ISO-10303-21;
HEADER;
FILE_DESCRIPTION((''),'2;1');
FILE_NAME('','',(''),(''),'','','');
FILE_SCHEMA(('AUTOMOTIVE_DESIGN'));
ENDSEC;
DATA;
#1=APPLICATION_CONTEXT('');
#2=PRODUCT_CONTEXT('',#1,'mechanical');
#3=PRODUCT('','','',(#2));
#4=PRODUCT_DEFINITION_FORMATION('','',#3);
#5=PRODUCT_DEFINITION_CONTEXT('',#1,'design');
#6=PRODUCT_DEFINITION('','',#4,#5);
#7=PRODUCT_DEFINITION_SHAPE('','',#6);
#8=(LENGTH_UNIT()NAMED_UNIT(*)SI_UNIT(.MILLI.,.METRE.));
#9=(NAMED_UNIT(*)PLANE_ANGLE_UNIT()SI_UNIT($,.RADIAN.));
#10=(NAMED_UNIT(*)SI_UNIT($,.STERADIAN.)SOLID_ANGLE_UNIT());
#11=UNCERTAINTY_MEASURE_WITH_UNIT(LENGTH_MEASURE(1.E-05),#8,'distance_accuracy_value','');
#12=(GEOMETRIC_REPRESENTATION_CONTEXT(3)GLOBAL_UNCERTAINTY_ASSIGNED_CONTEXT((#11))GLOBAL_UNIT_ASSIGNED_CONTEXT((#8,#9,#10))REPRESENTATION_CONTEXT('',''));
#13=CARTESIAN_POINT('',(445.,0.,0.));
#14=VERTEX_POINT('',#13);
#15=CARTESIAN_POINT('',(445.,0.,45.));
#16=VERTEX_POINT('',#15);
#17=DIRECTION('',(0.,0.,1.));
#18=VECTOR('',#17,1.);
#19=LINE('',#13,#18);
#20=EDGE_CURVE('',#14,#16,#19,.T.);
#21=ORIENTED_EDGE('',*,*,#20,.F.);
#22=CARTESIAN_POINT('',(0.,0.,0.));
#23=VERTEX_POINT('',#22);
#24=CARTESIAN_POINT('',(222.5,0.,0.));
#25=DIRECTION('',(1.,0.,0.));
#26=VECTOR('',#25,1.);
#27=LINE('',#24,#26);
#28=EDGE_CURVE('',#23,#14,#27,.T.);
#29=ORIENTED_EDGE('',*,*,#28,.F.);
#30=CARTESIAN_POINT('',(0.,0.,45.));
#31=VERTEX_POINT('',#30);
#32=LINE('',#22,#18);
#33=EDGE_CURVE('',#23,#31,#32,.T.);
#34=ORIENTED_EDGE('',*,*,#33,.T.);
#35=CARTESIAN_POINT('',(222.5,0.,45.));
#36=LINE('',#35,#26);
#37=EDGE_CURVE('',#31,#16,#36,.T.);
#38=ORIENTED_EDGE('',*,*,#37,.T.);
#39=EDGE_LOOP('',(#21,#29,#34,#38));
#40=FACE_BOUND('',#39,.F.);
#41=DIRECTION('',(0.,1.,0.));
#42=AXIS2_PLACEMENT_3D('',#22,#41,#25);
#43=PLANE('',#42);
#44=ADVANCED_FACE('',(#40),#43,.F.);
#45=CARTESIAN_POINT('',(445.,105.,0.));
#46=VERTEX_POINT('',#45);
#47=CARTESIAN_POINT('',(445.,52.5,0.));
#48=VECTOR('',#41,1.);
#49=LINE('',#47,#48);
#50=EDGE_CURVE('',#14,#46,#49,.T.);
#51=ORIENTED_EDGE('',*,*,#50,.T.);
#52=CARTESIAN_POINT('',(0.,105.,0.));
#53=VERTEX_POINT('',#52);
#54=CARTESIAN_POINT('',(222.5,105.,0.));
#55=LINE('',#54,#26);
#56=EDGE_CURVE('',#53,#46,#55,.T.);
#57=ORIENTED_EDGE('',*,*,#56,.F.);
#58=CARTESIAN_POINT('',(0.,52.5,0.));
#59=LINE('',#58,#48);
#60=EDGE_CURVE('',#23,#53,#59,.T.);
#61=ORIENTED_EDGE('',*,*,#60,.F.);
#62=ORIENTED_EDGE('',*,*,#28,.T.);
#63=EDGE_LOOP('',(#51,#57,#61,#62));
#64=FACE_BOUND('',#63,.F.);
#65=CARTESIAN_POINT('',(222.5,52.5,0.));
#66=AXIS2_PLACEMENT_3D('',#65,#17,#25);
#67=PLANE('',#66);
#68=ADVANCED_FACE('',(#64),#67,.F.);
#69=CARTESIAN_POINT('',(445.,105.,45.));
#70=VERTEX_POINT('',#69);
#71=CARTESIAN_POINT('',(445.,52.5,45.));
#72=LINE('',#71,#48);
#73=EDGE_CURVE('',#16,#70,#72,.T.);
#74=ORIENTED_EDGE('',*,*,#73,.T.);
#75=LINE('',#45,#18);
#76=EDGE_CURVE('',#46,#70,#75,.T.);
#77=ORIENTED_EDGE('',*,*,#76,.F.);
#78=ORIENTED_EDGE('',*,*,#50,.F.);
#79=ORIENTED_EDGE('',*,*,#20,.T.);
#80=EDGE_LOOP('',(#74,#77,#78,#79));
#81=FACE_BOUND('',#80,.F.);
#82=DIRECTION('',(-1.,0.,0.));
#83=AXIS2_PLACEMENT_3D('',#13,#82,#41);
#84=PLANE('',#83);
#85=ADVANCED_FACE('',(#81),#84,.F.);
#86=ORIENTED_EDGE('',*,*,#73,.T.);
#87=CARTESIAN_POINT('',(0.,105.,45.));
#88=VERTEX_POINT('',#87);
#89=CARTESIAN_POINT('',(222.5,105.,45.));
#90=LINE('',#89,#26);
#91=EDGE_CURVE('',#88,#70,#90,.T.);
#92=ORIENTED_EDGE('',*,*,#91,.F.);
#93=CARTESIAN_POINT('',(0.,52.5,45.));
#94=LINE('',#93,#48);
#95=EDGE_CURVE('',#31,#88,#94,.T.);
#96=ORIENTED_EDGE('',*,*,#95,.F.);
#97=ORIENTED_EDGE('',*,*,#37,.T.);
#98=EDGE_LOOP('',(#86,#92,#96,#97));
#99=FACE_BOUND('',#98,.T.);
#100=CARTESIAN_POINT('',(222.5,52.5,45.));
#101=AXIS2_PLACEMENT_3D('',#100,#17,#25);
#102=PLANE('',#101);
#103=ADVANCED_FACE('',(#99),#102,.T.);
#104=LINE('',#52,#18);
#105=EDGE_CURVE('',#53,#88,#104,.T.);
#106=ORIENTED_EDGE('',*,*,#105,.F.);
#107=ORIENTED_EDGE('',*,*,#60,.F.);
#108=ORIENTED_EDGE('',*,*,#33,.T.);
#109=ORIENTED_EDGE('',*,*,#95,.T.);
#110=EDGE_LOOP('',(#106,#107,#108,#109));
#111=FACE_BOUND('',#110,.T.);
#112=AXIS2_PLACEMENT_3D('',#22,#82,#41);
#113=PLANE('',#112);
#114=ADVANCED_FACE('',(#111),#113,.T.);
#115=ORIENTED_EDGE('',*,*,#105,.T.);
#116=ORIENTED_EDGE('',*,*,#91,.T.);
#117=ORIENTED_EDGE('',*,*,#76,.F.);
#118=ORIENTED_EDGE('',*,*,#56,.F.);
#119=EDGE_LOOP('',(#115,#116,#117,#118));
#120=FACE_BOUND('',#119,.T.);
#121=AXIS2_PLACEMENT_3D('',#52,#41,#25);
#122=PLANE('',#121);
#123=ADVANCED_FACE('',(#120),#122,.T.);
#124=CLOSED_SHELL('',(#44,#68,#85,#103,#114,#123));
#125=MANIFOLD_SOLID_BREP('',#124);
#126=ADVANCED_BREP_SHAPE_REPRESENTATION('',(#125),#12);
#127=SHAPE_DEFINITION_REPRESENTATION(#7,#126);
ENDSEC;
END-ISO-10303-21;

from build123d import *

# Parameters (mm, degrees)
BOX_W     = 445
BOX_H     = 105
BOX_DEPTH = 45


with BuildPart() as part:
    # Box → Box (new body)
    with BuildSketch(Plane.XY):
        with Locations((222.5, 52.5)):
            Rectangle(BOX_W, BOX_H)
    extrude(amount=BOX_DEPTH)


solid = part.part
